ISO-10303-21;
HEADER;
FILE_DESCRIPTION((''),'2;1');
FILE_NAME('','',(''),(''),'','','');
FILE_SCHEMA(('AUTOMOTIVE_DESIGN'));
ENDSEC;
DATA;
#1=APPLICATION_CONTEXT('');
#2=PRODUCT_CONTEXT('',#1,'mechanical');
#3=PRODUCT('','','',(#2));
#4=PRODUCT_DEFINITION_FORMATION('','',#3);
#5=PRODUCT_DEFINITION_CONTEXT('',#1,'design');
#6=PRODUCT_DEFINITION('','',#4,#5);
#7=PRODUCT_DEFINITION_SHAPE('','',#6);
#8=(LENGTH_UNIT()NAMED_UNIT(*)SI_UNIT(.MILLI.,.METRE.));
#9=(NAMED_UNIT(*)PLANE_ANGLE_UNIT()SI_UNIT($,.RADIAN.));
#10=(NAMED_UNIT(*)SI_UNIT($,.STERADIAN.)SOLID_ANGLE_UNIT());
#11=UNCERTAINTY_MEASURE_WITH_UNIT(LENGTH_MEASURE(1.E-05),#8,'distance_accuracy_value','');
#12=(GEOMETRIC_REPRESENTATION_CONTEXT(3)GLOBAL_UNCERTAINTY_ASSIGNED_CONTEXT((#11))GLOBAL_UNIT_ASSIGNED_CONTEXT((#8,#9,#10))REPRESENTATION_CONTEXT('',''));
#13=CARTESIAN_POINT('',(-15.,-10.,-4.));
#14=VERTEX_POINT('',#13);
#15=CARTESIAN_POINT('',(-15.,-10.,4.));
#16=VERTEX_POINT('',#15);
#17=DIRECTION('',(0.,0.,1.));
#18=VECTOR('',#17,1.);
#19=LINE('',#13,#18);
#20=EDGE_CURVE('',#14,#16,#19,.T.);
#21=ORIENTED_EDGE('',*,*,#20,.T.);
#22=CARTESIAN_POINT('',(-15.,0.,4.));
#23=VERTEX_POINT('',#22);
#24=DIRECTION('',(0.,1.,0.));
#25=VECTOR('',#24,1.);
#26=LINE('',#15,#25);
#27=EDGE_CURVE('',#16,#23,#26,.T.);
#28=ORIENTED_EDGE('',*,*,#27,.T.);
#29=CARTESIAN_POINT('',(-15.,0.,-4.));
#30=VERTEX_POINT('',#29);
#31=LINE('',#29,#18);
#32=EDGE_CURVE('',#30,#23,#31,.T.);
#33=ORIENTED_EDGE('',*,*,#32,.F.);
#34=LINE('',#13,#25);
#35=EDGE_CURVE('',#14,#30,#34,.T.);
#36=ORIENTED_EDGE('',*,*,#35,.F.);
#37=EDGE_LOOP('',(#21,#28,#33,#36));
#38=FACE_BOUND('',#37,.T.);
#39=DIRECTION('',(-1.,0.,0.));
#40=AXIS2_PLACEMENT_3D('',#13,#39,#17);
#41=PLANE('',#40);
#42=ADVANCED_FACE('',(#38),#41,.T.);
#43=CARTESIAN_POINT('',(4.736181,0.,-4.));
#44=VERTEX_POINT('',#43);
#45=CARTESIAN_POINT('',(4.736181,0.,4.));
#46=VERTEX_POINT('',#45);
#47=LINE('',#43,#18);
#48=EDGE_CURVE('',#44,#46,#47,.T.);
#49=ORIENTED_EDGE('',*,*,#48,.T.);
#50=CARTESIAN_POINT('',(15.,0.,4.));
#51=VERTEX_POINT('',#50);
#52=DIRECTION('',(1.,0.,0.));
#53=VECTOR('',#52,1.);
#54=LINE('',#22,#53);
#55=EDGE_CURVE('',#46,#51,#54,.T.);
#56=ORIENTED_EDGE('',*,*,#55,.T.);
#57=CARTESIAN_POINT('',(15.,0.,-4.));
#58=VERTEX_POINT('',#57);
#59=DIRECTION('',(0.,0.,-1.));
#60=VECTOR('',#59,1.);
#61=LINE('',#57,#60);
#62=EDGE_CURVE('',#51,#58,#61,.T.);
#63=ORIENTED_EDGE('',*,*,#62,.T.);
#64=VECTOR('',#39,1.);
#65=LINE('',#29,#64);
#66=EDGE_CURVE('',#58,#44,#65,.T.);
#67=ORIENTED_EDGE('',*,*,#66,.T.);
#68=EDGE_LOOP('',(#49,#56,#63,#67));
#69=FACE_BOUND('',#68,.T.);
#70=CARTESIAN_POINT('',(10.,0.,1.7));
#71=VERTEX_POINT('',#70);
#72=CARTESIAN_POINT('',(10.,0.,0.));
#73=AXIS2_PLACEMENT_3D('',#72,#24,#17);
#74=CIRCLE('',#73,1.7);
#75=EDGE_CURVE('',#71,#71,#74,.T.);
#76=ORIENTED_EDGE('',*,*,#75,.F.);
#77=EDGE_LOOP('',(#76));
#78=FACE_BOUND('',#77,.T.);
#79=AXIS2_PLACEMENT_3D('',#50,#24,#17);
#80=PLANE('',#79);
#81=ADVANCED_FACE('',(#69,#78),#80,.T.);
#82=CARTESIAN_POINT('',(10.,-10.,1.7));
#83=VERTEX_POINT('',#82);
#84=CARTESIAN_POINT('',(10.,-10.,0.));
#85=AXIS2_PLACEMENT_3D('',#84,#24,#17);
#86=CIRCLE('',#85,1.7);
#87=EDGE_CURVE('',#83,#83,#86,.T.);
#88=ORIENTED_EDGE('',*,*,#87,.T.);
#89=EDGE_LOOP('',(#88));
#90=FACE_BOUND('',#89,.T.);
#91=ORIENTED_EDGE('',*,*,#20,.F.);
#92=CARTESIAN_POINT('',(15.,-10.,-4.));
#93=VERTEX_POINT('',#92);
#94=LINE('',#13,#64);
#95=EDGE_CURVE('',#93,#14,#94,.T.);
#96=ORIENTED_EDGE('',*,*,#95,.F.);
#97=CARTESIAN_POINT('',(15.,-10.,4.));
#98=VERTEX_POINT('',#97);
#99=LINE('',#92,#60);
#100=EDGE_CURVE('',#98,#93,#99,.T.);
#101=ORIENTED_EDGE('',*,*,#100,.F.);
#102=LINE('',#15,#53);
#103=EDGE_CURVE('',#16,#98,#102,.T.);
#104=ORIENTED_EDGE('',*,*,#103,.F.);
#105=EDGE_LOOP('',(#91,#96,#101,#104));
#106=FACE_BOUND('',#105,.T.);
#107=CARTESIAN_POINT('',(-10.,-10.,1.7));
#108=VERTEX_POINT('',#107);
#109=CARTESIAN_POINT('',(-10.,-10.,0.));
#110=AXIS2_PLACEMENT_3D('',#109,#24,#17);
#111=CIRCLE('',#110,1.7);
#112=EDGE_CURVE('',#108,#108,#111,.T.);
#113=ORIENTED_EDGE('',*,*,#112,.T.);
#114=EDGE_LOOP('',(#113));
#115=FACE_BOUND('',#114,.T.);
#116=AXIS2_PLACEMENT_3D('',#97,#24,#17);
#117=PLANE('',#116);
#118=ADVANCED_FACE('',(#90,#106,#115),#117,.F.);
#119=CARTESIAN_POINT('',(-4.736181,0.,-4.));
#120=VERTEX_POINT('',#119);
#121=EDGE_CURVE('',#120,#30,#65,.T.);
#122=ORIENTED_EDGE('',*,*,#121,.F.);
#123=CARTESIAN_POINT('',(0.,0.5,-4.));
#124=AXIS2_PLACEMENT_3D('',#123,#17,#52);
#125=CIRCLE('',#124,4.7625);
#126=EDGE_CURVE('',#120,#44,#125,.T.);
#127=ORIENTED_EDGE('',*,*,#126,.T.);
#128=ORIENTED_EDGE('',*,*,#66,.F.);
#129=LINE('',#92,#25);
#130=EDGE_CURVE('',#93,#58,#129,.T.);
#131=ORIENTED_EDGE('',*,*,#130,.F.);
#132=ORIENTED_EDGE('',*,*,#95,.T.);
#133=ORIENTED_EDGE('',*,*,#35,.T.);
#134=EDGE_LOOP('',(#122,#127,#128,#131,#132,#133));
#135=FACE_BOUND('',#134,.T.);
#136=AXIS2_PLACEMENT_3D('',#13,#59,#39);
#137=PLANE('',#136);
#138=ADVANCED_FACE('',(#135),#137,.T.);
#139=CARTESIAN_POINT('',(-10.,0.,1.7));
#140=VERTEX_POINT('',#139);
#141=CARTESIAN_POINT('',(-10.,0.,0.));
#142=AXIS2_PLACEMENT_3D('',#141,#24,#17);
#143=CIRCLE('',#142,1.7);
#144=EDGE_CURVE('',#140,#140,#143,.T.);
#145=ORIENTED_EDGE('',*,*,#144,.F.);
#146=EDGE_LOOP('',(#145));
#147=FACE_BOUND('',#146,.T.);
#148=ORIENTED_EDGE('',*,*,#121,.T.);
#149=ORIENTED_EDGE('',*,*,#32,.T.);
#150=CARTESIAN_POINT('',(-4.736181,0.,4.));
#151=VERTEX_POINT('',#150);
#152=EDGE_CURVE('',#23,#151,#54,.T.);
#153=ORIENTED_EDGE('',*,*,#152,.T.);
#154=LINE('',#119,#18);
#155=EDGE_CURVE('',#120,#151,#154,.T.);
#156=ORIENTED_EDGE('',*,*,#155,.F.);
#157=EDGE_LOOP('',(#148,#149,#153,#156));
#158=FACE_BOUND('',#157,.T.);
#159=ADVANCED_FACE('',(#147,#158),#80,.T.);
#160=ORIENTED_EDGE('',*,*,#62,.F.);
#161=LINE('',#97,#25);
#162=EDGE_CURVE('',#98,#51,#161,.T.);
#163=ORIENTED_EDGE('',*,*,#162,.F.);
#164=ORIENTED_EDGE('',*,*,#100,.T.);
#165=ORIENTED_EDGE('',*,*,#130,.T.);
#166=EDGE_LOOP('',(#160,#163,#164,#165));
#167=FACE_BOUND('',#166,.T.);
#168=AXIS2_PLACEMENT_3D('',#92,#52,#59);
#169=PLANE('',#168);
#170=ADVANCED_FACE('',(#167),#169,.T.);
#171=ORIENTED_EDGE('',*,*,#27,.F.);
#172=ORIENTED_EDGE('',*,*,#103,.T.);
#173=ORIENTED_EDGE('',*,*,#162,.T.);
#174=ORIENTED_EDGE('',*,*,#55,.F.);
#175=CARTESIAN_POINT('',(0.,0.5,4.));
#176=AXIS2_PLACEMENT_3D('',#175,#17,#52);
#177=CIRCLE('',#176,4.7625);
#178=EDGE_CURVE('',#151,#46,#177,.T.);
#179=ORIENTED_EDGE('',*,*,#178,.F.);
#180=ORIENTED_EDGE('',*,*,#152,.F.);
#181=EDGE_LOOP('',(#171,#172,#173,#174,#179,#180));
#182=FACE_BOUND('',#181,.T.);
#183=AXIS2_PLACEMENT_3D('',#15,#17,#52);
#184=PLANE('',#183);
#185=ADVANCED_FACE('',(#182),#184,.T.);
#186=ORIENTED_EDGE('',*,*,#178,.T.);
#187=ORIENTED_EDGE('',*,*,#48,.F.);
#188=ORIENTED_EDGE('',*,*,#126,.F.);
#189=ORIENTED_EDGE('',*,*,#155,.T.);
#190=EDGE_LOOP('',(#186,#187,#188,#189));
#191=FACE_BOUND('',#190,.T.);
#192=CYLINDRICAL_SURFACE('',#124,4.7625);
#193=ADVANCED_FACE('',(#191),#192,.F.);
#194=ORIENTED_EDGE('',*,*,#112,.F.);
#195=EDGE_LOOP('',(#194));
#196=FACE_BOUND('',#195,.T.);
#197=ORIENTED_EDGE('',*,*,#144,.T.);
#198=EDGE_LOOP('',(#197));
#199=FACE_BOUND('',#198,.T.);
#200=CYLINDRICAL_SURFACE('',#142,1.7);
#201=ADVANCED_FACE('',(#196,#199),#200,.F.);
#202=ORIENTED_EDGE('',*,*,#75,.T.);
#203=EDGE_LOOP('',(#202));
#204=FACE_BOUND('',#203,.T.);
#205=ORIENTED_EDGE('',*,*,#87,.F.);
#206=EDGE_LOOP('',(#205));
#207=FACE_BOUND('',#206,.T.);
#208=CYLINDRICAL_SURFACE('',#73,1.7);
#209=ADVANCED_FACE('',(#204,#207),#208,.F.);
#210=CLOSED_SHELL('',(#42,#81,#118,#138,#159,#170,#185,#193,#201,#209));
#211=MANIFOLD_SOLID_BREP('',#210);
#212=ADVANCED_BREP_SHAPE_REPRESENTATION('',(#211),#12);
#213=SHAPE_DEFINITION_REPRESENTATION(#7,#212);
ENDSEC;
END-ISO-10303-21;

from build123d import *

# Parameters (mm, degrees)
SKETCH1_W            = 30
SKETCH1_H            = 8
BOSS_EXTRUDE1_DEPTH  = 10
M3_CLEARANCE_HOLE1_D = 3.4
CUT_EXTRUDE1_DEPTH   = 20.723082923


with BuildPart() as part:
    # Sketch1 → Boss-Extrude1 (new body)
    with BuildSketch(Plane(origin=(0, 0, 0), x_dir=(1, 0, 0), z_dir=(0, 1, 0))):
        Rectangle(SKETCH1_W, SKETCH1_H)
    extrude(amount=-BOSS_EXTRUDE1_DEPTH)

    # M3 Clearance Hole1 (through all)
    with Locations(Plane(origin=(0, 0, 0), x_dir=(-1, 0, 0), z_dir=(0, 1, 0))):
        with Locations((10, 0), (-10, 0)):
            Hole(M3_CLEARANCE_HOLE1_D / 2)

    # Sketch2 → Cut-Extrude1 (cut, through all)
    with BuildSketch(Plane.XY.offset(4)):
        with BuildLine():
            Line((-4.736180555, 0), (4.736180555, 0))
            ThreePointArc((4.736180555, 0), (0, -4.2625), (-4.736180555, 0))
        make_face()
    extrude(amount=-CUT_EXTRUDE1_DEPTH, mode=Mode.SUBTRACT)


solid = part.part
